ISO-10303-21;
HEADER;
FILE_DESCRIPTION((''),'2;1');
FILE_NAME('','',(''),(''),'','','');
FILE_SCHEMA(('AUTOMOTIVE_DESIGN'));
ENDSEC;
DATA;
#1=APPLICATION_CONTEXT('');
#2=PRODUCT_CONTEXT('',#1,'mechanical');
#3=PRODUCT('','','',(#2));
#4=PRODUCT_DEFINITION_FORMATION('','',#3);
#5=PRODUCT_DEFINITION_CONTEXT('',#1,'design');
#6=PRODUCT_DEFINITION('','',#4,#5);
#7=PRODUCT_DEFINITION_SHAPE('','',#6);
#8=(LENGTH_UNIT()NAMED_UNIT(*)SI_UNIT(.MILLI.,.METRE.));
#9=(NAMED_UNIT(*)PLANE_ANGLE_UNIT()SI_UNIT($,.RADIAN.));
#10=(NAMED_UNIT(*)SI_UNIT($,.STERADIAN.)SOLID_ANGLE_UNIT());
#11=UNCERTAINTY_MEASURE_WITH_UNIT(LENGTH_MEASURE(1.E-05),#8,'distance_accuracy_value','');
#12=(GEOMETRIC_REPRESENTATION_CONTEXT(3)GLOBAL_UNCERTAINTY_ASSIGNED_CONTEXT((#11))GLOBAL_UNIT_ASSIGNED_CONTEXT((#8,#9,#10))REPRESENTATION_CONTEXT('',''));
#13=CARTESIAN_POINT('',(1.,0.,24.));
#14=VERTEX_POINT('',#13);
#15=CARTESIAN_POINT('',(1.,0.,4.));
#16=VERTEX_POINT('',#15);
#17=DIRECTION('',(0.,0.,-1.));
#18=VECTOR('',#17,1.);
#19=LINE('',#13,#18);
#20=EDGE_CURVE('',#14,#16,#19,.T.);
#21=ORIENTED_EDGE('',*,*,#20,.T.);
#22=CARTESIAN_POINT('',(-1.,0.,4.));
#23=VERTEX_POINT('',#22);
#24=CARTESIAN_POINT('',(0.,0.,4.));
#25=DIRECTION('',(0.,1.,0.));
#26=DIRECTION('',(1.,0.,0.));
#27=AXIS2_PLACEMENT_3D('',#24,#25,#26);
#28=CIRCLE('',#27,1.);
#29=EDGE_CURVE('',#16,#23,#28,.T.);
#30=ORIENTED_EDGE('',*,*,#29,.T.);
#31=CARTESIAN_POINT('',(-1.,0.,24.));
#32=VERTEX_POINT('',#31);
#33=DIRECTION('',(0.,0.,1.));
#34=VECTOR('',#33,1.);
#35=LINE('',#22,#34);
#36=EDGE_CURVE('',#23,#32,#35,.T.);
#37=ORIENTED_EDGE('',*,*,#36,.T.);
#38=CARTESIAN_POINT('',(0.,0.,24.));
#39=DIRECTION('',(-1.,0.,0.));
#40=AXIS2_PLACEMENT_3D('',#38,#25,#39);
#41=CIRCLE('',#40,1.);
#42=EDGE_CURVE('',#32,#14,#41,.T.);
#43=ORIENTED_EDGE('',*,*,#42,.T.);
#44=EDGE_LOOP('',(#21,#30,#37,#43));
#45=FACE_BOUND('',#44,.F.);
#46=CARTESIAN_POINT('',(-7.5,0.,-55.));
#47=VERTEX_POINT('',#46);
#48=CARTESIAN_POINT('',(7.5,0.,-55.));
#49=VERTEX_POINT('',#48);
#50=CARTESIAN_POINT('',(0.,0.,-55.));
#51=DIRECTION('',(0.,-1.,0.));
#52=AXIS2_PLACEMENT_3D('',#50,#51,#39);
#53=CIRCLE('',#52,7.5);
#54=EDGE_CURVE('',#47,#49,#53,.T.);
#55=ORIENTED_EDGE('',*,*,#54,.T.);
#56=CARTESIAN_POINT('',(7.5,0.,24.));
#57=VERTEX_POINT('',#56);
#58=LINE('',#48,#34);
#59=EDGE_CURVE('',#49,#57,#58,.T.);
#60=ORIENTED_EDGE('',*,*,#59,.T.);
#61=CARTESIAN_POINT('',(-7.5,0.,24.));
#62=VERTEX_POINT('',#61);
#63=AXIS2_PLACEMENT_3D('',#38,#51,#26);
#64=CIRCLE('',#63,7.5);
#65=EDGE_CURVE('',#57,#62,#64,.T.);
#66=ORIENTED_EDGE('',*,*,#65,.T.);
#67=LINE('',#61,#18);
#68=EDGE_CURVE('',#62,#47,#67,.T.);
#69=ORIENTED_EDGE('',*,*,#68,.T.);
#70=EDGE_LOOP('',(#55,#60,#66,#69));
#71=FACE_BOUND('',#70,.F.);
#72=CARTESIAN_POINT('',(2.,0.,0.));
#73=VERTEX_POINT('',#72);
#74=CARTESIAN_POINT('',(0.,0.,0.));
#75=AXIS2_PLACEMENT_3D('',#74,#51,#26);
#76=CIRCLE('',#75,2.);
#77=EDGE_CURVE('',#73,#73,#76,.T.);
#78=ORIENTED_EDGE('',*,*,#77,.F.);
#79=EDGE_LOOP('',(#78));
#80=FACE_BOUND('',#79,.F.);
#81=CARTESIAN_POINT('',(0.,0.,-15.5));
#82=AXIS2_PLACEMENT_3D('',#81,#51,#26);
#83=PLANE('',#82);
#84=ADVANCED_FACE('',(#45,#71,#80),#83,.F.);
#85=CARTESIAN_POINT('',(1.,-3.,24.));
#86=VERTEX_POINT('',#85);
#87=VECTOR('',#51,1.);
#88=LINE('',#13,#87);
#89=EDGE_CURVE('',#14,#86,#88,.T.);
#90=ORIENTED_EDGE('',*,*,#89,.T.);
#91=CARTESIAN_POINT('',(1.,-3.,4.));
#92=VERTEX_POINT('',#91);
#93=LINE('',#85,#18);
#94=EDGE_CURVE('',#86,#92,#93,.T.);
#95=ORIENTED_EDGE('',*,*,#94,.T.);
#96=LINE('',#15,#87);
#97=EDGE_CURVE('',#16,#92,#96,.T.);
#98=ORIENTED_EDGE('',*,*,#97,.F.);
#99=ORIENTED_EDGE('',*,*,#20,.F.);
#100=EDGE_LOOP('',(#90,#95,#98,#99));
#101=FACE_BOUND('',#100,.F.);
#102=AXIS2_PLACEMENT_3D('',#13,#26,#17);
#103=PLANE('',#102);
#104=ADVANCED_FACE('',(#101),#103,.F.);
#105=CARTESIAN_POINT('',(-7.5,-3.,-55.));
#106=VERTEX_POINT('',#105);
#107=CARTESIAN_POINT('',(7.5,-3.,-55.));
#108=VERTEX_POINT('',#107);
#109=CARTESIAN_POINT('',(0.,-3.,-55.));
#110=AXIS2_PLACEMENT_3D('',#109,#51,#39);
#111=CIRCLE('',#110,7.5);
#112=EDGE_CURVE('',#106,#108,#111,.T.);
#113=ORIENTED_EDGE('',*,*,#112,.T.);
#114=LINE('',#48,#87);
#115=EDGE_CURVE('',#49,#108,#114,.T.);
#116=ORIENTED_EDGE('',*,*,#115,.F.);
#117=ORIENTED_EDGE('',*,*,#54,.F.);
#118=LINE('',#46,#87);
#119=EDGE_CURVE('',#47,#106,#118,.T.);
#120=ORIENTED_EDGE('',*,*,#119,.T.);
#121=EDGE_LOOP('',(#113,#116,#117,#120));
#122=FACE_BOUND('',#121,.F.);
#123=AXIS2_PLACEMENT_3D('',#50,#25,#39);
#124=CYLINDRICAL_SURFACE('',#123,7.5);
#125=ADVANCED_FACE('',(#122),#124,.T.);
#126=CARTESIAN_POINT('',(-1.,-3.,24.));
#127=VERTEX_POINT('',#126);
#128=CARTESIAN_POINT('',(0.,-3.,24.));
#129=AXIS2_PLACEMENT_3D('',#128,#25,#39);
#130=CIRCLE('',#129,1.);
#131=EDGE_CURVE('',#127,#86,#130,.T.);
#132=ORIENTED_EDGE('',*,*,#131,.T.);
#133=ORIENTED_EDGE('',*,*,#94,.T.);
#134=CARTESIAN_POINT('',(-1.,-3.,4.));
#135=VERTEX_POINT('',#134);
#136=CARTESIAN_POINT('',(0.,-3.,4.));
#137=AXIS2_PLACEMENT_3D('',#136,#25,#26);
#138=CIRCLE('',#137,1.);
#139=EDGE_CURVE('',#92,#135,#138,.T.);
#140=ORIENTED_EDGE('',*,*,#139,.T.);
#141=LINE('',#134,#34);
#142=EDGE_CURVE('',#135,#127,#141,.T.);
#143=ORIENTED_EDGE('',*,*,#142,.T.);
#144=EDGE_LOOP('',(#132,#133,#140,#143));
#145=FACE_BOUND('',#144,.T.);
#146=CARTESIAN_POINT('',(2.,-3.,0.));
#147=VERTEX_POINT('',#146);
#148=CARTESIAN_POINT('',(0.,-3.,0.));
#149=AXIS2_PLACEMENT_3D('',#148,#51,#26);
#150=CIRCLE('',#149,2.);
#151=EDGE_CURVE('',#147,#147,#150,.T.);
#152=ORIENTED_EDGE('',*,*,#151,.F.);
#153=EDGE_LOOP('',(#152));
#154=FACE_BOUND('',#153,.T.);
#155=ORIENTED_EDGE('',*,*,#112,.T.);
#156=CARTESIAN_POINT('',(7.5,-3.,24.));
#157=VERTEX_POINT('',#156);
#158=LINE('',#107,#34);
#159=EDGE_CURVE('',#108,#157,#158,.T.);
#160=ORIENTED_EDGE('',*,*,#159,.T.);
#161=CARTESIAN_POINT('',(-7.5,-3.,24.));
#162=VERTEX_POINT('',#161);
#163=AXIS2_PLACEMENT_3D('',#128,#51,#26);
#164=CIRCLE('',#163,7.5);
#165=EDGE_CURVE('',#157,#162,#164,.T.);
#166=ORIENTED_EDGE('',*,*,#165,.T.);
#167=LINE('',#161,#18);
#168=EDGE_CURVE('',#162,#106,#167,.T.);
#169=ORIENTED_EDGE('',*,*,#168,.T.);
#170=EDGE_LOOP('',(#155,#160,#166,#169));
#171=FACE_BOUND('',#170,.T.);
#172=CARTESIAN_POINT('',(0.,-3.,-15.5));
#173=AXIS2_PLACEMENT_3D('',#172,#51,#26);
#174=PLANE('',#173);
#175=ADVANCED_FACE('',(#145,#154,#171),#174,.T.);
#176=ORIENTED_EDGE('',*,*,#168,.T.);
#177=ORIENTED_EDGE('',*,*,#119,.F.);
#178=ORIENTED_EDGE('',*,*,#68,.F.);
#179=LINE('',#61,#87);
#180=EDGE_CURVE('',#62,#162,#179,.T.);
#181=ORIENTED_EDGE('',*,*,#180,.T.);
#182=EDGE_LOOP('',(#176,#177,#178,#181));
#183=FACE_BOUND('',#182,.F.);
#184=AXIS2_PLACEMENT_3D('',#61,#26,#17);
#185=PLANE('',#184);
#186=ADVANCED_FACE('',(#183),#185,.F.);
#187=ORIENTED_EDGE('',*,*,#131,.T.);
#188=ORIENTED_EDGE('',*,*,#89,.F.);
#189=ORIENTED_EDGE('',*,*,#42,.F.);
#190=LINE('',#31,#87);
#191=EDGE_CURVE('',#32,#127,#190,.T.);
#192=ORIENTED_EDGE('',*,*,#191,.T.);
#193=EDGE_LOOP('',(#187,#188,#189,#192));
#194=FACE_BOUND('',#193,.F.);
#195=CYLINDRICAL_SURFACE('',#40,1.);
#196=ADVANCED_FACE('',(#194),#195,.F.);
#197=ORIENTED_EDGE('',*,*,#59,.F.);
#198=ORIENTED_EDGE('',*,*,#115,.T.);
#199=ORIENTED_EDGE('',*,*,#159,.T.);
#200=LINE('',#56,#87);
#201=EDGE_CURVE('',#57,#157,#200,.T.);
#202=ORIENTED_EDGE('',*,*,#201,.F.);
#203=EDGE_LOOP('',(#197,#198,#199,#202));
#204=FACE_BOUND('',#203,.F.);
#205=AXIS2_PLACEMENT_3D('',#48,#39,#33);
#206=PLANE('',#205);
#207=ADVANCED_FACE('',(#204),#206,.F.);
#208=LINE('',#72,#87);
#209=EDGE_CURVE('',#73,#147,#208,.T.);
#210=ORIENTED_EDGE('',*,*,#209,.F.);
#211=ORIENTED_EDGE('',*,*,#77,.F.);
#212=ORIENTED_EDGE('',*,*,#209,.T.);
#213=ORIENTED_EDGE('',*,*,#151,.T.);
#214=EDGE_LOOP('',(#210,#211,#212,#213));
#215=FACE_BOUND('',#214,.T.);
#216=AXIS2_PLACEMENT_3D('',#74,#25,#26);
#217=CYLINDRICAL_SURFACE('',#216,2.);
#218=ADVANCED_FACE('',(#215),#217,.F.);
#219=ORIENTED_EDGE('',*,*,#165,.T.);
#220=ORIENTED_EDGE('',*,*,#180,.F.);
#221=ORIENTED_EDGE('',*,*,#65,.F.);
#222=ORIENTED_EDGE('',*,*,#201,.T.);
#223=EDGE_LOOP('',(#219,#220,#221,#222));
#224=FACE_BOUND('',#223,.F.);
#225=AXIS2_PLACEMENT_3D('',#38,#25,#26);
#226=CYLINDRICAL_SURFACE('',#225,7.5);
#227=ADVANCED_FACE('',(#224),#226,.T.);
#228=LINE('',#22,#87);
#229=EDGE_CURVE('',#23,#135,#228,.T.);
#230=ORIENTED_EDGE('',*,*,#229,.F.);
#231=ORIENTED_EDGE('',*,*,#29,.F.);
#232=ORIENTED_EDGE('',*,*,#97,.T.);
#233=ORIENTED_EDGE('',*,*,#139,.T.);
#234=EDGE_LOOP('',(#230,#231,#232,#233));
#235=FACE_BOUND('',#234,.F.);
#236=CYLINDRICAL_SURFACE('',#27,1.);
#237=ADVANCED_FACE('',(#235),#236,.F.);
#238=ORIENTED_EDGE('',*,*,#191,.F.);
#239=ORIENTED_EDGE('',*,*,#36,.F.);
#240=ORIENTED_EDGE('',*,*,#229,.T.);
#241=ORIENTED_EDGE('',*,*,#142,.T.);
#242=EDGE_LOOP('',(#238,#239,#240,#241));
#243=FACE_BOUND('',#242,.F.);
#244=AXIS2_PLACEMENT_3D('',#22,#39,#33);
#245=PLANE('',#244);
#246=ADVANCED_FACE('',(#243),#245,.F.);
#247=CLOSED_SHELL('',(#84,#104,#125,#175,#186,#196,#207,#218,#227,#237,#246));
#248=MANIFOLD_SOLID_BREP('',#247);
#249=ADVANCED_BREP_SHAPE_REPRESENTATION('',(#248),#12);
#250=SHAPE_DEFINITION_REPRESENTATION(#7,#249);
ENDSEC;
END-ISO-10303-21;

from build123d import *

# Parameters (mm, degrees)
F0_R     = 2
F1_DEPTH = 3


with BuildPart() as f1:
    # F0 (on Front) → F1 (new body)
    with BuildSketch(Plane.XZ):
        with BuildLine():
            Line((-7.5, 24), (-7.5, -55))
            ThreePointArc((-7.5, -55), (0, -62.5), (7.5, -55))
            Line((7.5, -55), (7.5, 24))
            ThreePointArc((7.5, 24), (0, 31.5), (-7.5, 24))
        make_face()
        Circle(F0_R, mode=Mode.SUBTRACT)
        with BuildLine():
            ThreePointArc((-1, 24), (0, 25), (1, 24))
            Line((1, 24), (1, 4))
            ThreePointArc((1, 4), (0, 3), (-1, 4))
            Line((-1, 4), (-1, 24))
        make_face(mode=Mode.SUBTRACT)
    extrude(amount=F1_DEPTH)


solid = f1.part
